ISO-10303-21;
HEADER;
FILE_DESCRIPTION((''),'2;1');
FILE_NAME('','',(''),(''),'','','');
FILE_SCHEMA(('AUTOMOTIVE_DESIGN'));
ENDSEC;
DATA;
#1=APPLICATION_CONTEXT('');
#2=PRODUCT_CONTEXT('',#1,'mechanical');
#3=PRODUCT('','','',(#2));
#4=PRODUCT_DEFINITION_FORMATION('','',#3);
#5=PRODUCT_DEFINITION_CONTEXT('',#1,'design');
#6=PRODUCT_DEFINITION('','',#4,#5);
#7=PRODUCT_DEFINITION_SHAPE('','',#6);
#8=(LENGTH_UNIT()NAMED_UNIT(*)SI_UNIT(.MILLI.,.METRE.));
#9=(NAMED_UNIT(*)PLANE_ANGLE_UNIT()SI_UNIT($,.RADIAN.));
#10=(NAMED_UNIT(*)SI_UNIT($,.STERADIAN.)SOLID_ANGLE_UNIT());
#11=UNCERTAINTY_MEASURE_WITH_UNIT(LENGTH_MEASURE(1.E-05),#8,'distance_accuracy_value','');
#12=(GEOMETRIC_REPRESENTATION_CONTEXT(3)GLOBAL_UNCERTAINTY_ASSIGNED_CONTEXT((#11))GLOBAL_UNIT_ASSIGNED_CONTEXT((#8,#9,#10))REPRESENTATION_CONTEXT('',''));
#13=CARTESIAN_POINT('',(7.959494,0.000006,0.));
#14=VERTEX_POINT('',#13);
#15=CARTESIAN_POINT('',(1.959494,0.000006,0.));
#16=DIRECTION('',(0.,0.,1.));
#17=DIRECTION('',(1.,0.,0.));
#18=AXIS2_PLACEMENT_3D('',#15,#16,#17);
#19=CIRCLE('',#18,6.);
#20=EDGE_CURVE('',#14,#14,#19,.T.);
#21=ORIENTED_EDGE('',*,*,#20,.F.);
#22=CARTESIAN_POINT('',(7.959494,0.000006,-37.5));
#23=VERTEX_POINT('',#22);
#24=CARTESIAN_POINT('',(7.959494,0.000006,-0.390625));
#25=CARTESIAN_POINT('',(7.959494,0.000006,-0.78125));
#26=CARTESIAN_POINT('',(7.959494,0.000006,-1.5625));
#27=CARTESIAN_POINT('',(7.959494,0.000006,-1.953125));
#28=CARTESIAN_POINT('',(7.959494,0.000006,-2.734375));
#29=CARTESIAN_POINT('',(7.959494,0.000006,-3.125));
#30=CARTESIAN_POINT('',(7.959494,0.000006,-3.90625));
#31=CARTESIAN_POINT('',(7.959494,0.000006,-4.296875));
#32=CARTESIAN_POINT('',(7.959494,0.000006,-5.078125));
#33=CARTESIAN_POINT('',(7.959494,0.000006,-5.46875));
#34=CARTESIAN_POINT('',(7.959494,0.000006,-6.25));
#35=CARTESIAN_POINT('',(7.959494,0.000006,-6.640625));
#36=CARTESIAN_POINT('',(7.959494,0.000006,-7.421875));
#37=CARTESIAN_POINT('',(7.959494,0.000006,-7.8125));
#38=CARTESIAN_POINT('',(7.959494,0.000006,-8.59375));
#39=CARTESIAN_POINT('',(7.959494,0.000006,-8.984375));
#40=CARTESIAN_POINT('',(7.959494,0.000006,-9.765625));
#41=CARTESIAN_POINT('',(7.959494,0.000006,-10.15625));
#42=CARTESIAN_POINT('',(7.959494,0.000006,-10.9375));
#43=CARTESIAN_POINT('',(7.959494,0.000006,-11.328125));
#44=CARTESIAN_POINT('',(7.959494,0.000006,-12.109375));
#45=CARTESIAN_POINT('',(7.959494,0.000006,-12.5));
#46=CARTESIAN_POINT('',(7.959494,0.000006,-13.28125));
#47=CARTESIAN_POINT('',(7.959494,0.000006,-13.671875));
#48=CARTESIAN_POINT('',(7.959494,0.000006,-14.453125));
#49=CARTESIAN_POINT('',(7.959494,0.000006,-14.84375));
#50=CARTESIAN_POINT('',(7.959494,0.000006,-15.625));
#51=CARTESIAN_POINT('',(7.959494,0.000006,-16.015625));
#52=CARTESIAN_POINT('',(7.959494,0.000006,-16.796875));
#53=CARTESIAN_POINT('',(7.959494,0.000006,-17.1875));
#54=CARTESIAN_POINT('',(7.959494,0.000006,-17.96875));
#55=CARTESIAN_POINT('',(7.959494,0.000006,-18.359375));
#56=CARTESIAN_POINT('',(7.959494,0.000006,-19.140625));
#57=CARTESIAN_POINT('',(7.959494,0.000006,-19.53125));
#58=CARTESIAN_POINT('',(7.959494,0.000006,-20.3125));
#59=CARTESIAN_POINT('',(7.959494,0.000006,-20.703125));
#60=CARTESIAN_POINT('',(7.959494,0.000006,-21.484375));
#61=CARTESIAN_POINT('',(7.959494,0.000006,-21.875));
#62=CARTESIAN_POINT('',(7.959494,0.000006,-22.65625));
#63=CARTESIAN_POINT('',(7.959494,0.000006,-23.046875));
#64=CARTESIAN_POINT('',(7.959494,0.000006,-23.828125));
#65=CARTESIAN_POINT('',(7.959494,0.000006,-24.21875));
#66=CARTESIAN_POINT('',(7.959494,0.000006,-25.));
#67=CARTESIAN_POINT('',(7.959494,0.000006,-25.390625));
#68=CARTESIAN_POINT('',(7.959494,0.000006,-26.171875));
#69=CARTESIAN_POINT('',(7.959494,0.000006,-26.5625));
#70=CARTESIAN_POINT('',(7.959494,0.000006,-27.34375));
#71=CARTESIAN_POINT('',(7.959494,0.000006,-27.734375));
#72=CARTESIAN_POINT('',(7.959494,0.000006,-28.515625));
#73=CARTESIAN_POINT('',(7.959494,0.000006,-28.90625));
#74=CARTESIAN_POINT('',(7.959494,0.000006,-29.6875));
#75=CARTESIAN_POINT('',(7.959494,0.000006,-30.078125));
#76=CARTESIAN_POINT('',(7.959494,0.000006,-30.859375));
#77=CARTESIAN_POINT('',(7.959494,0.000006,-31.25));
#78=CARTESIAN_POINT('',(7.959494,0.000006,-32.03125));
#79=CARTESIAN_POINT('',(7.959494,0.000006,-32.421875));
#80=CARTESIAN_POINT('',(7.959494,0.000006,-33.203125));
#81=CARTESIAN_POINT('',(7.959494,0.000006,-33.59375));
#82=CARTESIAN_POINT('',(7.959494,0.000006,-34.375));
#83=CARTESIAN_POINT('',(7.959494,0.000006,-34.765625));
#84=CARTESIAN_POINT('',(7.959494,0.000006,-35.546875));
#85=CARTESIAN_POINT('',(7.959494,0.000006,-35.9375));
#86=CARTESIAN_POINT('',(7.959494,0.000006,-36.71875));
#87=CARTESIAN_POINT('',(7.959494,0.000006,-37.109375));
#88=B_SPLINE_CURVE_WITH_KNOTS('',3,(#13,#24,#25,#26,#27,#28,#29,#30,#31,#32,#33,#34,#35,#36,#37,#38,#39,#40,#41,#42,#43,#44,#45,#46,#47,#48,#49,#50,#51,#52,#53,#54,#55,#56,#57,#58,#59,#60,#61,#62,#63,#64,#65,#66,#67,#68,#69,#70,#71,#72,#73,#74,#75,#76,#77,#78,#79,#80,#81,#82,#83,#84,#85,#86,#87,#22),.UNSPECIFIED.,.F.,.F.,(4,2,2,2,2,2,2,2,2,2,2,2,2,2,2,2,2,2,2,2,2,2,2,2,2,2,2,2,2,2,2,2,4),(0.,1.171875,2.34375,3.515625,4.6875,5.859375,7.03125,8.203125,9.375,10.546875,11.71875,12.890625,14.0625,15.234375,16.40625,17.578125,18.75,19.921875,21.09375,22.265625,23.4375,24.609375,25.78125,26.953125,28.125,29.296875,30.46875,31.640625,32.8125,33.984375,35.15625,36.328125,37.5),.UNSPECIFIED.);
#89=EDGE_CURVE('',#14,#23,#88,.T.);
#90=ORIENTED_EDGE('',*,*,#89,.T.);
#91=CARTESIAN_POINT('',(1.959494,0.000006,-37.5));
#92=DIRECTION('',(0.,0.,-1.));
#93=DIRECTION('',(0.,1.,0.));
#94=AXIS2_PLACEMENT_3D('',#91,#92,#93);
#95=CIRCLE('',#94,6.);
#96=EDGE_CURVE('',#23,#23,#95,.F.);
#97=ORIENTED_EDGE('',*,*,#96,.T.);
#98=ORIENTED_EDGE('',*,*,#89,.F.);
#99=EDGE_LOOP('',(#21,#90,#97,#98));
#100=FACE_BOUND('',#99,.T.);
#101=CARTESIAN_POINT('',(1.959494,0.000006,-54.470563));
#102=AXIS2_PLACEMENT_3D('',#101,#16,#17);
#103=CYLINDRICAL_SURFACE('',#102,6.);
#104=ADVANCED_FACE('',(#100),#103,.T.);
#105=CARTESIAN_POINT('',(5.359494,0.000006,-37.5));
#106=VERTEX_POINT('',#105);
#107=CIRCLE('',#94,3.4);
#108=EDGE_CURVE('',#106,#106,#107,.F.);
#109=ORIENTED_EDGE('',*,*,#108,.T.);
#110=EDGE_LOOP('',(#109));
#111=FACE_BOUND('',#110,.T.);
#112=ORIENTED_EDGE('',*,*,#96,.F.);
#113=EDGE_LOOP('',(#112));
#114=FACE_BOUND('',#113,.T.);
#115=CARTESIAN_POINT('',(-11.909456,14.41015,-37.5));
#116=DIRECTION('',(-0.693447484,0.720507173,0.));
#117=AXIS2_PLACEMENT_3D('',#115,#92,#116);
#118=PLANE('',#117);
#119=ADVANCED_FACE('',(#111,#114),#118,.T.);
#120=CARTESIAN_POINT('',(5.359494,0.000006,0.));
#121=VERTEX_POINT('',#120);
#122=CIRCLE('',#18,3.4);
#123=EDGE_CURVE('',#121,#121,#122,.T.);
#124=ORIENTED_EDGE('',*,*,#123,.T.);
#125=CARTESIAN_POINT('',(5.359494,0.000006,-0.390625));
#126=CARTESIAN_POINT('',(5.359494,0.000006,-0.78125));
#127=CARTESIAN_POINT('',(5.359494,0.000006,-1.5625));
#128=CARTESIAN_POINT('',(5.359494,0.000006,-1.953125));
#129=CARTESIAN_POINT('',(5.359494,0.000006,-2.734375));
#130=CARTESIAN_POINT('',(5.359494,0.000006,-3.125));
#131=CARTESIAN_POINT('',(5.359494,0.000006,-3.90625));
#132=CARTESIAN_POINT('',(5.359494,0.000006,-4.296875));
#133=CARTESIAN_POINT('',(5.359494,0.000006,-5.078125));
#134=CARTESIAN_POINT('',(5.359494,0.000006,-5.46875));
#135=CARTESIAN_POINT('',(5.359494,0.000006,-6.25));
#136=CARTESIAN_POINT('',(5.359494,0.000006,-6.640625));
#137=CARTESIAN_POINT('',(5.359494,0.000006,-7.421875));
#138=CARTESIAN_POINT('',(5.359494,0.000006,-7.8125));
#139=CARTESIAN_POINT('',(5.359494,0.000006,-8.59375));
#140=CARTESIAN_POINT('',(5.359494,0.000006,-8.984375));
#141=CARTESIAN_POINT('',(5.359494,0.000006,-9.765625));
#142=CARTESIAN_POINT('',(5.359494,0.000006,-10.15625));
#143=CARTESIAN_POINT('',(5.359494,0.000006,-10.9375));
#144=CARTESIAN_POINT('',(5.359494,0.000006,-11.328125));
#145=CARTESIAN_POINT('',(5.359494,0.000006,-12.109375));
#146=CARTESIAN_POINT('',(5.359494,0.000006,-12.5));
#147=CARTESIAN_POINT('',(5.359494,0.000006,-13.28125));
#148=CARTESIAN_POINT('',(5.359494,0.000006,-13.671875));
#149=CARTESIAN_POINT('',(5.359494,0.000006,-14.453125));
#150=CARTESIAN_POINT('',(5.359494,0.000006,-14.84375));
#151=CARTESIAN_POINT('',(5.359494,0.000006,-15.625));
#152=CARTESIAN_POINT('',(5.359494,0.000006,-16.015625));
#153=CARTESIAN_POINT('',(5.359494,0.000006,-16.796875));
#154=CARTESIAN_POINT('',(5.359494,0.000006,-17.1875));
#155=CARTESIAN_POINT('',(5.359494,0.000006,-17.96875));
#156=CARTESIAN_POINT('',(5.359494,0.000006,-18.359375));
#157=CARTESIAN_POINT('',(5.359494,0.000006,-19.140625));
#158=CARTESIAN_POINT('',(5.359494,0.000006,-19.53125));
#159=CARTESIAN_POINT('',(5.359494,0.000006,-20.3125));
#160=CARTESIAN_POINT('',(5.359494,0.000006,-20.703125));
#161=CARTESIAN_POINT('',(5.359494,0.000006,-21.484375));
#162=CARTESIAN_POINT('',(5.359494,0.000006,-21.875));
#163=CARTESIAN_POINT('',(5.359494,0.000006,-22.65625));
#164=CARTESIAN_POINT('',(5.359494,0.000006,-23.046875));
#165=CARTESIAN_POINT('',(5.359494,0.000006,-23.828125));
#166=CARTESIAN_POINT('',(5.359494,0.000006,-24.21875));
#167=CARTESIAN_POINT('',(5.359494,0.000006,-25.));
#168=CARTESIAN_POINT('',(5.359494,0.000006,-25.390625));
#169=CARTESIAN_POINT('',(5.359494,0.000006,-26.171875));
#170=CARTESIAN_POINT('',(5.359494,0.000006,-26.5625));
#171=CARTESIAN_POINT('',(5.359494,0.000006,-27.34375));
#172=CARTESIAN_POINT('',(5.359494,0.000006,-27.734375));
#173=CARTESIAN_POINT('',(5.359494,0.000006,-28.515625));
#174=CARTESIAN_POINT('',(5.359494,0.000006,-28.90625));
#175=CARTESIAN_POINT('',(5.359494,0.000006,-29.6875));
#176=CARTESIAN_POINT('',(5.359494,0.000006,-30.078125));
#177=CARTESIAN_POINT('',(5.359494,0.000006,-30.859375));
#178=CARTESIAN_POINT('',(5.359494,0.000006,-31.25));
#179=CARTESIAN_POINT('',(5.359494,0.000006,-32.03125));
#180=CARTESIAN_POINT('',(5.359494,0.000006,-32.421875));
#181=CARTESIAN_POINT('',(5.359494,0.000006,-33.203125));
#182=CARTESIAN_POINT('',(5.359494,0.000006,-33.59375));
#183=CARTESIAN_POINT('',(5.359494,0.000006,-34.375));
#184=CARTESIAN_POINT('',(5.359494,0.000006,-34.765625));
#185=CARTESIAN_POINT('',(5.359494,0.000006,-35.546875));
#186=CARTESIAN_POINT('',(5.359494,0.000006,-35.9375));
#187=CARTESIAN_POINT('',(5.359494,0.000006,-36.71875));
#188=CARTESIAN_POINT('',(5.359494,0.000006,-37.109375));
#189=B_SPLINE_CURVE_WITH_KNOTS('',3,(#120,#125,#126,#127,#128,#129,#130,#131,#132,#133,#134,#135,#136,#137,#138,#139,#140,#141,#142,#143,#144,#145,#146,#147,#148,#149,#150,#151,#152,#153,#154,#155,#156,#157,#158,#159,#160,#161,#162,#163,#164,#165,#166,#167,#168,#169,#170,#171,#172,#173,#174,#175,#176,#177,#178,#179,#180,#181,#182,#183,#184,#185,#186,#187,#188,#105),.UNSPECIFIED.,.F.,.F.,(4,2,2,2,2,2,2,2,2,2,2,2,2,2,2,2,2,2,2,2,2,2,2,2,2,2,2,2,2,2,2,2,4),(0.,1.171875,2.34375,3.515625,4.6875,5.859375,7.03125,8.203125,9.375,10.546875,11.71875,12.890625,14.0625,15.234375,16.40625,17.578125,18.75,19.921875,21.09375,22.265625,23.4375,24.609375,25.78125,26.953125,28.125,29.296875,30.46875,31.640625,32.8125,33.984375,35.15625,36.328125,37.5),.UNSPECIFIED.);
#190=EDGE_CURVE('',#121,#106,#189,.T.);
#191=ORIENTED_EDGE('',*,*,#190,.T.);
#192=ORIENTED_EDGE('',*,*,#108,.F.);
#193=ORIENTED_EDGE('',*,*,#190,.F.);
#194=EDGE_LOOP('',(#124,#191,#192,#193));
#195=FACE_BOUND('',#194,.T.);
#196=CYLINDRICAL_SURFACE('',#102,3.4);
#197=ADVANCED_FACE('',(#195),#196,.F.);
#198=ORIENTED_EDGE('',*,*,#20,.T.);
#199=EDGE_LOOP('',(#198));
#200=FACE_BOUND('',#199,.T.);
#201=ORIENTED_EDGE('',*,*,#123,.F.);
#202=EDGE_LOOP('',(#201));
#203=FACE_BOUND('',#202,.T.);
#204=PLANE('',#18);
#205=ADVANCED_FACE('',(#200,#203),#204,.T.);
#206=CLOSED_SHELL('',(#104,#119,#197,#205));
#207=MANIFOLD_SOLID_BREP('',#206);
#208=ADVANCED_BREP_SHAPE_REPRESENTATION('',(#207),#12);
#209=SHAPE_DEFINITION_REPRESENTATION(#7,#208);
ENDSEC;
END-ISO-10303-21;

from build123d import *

# Parameters (mm, degrees)
SKETCH1_R           = 6
SKETCH1_R_2         = 3.4
BOSS_EXTRUDE1_DEPTH = 37.5


with BuildPart() as part:
    # Sketch1 → Boss-Extrude1 (new body)
    with BuildSketch(Plane.XY):
        with Locations((1.959493634, 6.335e-06)):
            Circle(SKETCH1_R)
        with Locations((1.959493634, 6.335e-06)):
            Circle(SKETCH1_R_2, mode=Mode.SUBTRACT)
    extrude(amount=-BOSS_EXTRUDE1_DEPTH)


solid = part.part
